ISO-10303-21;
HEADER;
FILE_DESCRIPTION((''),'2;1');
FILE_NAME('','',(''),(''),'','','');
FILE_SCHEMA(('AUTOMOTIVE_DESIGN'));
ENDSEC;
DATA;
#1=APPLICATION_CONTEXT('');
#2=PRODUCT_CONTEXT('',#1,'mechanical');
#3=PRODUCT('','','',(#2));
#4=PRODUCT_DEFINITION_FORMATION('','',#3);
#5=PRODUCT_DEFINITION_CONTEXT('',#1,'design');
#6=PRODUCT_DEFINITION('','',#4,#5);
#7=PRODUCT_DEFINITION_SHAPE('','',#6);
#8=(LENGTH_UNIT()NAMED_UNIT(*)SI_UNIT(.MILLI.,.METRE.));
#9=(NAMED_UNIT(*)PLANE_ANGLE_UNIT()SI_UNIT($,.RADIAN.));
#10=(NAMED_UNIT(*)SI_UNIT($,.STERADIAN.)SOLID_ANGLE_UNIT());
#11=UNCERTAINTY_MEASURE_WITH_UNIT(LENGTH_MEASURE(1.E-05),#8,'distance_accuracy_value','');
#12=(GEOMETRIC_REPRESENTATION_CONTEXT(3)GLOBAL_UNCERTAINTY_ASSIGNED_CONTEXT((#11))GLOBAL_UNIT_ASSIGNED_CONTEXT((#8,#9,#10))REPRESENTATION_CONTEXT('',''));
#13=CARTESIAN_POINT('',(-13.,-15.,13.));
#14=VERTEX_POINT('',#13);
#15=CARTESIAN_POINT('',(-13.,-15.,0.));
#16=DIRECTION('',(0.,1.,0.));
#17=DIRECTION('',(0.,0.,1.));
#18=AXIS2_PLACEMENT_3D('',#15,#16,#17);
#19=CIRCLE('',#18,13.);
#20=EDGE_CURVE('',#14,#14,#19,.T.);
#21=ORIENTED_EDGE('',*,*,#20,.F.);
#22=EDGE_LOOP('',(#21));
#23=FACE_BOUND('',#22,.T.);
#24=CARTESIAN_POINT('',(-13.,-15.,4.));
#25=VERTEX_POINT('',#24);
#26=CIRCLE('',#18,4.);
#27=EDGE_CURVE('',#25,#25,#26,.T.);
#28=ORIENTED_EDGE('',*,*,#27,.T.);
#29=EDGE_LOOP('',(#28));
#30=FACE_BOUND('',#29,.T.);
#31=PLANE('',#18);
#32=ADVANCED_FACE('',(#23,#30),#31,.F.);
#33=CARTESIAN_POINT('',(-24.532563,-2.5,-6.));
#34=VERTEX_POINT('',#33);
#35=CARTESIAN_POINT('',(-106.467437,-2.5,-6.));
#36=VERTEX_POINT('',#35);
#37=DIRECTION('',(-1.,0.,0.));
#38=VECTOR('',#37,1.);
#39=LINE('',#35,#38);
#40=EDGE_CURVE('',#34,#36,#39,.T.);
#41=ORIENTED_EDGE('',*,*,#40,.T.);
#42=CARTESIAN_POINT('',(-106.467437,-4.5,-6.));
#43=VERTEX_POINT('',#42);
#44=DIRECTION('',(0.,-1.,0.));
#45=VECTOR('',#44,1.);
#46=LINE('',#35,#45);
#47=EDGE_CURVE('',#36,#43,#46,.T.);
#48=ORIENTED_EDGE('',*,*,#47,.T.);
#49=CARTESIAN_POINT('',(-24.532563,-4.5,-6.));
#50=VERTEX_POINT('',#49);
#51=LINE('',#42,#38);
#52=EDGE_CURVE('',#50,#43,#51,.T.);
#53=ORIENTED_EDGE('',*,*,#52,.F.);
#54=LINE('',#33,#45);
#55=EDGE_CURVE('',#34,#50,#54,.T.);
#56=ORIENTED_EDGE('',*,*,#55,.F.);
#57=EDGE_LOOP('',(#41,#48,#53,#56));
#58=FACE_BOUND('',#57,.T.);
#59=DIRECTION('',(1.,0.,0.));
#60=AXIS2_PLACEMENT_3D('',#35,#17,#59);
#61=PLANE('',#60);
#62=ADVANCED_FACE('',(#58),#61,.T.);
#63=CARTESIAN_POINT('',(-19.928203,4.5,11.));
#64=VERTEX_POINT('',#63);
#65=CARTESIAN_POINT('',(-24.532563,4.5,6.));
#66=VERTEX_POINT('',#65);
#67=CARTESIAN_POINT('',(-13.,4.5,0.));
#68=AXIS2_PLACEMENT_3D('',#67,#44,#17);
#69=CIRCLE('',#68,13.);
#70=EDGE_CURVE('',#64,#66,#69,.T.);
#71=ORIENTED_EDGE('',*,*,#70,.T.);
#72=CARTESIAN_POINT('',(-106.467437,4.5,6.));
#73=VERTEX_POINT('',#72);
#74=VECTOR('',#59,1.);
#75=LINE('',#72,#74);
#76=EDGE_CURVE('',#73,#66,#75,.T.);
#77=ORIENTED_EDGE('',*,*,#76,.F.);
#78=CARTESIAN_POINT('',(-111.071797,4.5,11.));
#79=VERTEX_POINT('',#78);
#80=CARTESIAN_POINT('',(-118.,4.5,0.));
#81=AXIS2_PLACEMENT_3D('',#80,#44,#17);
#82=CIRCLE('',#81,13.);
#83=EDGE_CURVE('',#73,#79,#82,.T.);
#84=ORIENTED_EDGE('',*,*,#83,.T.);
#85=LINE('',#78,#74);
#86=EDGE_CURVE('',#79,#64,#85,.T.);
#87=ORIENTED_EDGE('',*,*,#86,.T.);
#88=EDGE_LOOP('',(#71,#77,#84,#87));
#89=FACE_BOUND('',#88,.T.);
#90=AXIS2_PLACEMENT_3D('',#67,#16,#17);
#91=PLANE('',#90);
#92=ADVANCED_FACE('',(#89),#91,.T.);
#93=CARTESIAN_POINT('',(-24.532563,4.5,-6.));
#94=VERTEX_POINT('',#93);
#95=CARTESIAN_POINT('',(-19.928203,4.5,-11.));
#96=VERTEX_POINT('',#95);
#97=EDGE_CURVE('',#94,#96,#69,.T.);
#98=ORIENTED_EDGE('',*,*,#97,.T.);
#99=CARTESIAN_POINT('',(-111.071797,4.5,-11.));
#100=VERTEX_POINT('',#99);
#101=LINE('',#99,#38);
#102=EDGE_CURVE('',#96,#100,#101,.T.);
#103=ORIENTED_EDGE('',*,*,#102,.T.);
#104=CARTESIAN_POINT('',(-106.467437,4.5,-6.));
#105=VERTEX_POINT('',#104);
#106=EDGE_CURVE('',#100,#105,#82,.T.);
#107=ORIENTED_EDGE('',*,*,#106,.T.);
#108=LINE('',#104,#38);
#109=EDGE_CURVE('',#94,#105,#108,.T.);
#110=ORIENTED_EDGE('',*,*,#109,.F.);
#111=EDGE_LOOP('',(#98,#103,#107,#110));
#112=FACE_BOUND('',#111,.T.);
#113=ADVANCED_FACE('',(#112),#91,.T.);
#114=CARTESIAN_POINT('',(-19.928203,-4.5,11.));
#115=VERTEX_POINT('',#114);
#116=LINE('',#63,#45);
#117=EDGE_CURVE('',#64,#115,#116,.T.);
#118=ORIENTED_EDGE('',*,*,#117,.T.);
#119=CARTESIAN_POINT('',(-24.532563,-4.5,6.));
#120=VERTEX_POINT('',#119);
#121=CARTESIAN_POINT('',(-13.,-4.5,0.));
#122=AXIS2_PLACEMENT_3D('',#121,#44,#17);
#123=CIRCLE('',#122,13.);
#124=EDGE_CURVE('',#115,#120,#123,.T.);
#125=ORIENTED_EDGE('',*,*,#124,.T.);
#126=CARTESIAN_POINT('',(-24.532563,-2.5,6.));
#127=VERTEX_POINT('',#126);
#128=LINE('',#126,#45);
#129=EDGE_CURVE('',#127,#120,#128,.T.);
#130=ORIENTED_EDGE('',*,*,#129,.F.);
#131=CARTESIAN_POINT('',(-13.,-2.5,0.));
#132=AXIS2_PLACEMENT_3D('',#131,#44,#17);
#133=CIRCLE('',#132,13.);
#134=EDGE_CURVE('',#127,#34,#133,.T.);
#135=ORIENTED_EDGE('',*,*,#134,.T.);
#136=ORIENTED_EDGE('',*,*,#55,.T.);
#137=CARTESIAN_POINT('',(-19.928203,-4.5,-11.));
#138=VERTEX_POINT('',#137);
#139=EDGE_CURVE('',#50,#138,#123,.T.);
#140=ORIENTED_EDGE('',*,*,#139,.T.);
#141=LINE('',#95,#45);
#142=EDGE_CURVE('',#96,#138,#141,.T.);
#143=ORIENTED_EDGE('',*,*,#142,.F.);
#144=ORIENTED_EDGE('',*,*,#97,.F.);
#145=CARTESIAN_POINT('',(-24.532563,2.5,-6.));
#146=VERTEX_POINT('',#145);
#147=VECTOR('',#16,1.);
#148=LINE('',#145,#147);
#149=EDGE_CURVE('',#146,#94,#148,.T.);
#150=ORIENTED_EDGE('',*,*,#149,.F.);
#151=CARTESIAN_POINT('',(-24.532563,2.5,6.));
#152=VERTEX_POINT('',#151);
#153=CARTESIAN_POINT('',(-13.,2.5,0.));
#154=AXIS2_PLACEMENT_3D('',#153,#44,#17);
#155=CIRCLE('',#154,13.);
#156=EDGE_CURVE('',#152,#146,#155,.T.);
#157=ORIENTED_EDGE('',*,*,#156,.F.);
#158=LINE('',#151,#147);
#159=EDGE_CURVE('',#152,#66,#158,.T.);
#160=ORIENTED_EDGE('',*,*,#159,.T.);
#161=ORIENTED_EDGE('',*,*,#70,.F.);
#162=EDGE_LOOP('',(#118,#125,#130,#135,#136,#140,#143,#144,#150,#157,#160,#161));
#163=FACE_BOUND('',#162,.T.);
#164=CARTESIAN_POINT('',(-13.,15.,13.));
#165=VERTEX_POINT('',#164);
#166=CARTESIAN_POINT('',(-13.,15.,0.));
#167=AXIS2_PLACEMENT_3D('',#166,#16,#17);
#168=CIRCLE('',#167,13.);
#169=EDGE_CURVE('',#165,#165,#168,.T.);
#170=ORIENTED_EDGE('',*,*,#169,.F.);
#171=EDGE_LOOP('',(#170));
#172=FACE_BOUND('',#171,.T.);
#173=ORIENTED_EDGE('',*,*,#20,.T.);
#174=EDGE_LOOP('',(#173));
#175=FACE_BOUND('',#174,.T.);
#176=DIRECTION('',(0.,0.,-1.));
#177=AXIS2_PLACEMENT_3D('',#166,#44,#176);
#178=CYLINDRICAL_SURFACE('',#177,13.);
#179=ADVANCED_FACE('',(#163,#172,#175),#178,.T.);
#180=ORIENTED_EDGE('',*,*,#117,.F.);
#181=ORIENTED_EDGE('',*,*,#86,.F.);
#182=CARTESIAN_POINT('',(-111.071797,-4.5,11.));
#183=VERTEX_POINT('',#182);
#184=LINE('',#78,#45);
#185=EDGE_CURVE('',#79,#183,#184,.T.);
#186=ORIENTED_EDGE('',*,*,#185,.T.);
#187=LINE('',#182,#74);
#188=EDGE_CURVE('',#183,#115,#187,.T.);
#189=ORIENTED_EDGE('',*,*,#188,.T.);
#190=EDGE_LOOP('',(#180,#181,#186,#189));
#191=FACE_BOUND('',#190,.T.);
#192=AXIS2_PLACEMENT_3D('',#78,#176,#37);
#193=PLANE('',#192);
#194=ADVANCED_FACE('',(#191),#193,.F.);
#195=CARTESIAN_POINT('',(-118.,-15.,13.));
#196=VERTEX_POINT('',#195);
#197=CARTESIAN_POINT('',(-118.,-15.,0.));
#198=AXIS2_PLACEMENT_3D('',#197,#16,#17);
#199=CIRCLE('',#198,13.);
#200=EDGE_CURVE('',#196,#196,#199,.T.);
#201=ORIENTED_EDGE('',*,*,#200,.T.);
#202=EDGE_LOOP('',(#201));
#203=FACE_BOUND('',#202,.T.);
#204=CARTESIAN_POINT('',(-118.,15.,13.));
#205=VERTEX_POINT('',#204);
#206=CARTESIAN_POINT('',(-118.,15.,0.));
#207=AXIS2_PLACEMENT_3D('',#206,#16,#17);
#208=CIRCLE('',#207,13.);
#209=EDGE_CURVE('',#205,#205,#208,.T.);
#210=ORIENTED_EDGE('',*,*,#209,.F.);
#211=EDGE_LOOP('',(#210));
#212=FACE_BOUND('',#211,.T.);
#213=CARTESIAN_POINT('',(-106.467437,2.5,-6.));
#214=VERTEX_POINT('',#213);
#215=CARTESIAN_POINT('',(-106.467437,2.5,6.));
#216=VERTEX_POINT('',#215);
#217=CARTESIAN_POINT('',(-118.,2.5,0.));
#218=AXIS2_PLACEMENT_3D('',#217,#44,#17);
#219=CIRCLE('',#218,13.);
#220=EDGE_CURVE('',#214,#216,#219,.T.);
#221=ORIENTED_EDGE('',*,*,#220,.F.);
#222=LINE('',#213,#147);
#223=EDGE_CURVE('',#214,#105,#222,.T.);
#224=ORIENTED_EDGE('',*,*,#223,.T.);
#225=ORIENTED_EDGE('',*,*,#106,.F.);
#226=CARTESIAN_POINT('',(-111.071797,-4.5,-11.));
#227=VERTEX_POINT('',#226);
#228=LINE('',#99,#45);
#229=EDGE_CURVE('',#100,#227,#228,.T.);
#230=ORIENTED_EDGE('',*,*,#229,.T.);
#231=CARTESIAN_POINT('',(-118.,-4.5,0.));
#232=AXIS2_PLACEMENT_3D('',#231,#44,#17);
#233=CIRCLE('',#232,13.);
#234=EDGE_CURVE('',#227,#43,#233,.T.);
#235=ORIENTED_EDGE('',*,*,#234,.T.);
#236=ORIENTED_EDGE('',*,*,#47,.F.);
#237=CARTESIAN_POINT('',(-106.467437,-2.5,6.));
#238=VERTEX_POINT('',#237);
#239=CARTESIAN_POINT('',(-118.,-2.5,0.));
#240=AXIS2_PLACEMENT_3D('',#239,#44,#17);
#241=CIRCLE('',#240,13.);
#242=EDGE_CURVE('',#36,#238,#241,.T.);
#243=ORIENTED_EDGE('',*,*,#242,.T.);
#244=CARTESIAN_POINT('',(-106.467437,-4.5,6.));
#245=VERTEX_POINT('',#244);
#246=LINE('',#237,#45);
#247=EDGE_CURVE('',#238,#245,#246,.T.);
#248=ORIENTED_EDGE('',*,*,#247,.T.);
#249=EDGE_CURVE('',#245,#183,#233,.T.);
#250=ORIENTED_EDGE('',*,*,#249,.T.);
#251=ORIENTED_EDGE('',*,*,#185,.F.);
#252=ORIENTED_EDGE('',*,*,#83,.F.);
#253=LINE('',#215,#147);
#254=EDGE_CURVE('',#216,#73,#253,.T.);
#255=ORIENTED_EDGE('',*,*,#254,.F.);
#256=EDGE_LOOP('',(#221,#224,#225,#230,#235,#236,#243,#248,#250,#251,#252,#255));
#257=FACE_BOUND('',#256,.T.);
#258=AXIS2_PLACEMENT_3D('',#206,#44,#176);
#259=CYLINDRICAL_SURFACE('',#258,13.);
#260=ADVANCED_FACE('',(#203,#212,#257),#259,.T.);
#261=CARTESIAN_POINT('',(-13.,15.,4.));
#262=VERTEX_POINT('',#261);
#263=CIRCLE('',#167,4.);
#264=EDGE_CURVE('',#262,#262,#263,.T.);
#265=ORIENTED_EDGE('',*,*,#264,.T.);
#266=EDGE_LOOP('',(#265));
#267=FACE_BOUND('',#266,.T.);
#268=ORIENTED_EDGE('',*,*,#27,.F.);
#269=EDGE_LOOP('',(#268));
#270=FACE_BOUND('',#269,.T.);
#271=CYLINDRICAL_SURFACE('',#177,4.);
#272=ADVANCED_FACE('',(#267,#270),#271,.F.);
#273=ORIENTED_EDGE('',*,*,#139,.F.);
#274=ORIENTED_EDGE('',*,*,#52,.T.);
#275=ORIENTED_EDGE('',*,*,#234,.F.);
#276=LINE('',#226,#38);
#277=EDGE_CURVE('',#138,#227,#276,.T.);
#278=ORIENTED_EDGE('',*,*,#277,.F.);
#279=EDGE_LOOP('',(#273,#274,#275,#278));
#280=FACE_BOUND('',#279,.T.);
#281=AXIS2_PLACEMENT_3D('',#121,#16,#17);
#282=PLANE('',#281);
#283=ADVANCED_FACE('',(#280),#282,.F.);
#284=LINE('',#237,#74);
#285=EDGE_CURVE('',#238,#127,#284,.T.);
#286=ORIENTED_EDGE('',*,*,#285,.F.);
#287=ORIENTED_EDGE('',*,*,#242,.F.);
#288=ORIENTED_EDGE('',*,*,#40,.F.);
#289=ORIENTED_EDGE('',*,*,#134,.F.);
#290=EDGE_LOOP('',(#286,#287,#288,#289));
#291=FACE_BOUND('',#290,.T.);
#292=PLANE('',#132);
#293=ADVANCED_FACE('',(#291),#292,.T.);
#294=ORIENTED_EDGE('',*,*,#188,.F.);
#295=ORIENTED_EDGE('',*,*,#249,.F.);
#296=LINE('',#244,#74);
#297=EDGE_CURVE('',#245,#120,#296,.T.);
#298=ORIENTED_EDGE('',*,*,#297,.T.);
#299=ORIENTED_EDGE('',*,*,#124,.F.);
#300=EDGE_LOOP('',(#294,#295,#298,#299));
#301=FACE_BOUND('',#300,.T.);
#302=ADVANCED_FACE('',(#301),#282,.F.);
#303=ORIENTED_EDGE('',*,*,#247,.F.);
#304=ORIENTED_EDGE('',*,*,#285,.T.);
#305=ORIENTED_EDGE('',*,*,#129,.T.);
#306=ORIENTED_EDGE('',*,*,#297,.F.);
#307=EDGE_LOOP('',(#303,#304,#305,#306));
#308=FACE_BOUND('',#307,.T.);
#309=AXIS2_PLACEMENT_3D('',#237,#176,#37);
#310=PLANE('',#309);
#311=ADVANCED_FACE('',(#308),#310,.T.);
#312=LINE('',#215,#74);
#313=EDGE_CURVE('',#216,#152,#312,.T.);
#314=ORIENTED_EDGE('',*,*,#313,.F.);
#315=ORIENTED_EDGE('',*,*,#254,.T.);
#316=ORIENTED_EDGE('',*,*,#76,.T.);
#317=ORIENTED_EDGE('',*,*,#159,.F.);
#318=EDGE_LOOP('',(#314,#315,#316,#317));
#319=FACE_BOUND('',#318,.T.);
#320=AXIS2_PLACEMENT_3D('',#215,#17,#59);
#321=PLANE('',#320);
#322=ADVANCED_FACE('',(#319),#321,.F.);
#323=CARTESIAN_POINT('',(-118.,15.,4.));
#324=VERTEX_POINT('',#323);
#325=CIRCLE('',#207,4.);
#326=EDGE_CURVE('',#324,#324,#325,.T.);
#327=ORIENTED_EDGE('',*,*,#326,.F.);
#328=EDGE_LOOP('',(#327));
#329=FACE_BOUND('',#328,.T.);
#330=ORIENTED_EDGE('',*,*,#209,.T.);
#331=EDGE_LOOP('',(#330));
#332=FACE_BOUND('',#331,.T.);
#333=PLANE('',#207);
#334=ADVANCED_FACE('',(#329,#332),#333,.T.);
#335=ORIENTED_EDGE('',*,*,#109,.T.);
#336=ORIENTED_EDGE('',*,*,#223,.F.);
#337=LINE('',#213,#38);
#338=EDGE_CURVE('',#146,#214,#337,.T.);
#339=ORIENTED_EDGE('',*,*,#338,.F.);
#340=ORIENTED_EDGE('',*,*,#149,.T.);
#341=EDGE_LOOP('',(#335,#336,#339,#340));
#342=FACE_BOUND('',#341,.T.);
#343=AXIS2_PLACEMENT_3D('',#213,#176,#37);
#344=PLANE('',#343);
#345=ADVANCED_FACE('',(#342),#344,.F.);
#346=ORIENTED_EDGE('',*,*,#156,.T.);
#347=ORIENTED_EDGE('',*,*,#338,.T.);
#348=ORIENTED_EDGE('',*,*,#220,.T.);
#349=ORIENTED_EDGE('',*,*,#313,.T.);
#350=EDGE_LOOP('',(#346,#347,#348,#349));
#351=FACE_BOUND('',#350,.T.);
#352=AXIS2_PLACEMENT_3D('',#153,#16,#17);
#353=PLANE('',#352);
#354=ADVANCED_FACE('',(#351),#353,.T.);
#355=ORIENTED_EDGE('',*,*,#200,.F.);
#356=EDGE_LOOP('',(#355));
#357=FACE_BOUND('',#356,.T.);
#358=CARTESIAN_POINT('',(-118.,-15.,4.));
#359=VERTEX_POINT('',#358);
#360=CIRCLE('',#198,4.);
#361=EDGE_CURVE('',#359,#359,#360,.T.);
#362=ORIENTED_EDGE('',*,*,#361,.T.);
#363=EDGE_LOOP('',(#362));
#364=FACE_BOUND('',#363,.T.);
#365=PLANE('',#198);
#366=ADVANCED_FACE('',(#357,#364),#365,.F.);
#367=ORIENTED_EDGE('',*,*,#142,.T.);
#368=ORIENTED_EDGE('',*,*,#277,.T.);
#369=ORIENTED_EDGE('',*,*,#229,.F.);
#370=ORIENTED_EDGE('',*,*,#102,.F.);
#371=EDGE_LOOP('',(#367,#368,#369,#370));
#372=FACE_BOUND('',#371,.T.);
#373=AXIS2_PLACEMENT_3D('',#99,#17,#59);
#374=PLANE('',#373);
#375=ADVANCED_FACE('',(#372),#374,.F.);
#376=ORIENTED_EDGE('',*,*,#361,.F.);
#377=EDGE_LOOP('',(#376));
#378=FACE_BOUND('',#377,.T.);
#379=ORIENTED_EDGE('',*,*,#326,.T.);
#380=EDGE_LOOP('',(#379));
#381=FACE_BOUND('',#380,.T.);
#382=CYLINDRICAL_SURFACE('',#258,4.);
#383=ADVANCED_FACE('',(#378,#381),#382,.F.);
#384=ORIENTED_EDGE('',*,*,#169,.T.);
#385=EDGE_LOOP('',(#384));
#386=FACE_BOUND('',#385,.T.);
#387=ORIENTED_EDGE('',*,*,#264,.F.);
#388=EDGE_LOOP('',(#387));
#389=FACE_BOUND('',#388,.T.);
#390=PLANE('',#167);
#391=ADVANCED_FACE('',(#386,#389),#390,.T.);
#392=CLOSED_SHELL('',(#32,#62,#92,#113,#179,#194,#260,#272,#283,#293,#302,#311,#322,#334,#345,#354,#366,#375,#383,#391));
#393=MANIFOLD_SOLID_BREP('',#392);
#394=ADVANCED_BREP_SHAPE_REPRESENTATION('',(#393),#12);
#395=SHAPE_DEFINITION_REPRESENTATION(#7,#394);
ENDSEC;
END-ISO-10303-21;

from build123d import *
from build123d.topology import SkipClean

# Parameters (mm, degrees)
SKETCH_1_R          = 13
SKETCH_1_R_2        = 4
EXTRUDE_1_DEPTH     = 15
EXTRUDE_1_2_DEPTH   = 15
EXTRUDE_2_DEPTH     = 4.5
CUT_EXTRUDE_1_DEPTH = 2


with BuildPart() as part:
    # Эскиз1 → Бобышка-Вытянуть1 (new, symmetric)
    with BuildSketch(Plane(origin=(0, 0, 0), x_dir=(1, 0, 0), z_dir=(0, 1, 0))):
        with Locations(Location((-118, 0, 0), (0, 0, 270))):
            Circle(SKETCH_1_R)
        with Locations(Location((-118, 0, 0), (0, 0, 270))):
            Circle(SKETCH_1_R_2, mode=Mode.SUBTRACT)
    extrude(amount=EXTRUDE_1_DEPTH, both=True)



with BuildPart() as body_2:
    # Эскиз1 → Extrude 1 2 (new, symmetric)
    with BuildSketch(Plane(origin=(0, 0, 0), x_dir=(1, 0, 0), z_dir=(0, 1, 0))):
        with Locations(Location((-13, 0, 0), (0, 0, 270))):
            Circle(SKETCH_1_R)
        with Locations(Location((-13, 0, 0), (0, 0, 270))):
            Circle(SKETCH_1_R_2, mode=Mode.SUBTRACT)
    extrude(amount=EXTRUDE_1_2_DEPTH, both=True)


with BuildPart() as part_1:
    add(part.part)

    add(body_2.part)  # Бобышка-Вытянуть2 merges body 2
    # Эскиз2 → Бобышка-Вытянуть2 (add, symmetric)
    with BuildSketch(Plane(origin=(0, 0, 0), x_dir=(1, 0, 0), z_dir=(0, 1, 0))):
        with BuildLine():
            Line((-111.07179677, 11), (-19.92820323, 11))
            ThreePointArc((-19.92820323, 11), (-26, 0), (-19.92820323, -11))
            Line((-19.92820323, -11), (-111.07179677, -11))
            ThreePointArc((-111.07179677, -11), (-105, 0), (-111.07179677, 11))
        make_face()
    extrude(amount=EXTRUDE_2_DEPTH, both=True)

    # Эскиз4 → Вырез-Вытянуть1 (cut)
    with SkipClean():  # the faces are left unmerged after this step: merging them gives an invalid solid
        with BuildSketch(Plane(origin=(0, 4.5, 0), x_dir=(1, 0, 0), z_dir=(0, 1, 0))):
            with BuildLine():
                Line((-106.467437405, 6), (-24.532562595, 6))
                ThreePointArc((-24.532562595, 6), (-26, 0), (-24.532562595, -6))
                Line((-24.532562595, -6), (-106.467437405, -6))
                ThreePointArc((-106.467437405, -6), (-105, 0), (-106.467437405, 6))
            make_face()
        cut_extrude_1 = extrude(amount=-CUT_EXTRUDE_1_DEPTH, mode=Mode.SUBTRACT)

    # Зеркальное отражение1: Вырез-Вытянуть1 across plane
    add(cut_extrude_1.mirror(Plane.ZX), mode=Mode.SUBTRACT)


solid = part_1.part
